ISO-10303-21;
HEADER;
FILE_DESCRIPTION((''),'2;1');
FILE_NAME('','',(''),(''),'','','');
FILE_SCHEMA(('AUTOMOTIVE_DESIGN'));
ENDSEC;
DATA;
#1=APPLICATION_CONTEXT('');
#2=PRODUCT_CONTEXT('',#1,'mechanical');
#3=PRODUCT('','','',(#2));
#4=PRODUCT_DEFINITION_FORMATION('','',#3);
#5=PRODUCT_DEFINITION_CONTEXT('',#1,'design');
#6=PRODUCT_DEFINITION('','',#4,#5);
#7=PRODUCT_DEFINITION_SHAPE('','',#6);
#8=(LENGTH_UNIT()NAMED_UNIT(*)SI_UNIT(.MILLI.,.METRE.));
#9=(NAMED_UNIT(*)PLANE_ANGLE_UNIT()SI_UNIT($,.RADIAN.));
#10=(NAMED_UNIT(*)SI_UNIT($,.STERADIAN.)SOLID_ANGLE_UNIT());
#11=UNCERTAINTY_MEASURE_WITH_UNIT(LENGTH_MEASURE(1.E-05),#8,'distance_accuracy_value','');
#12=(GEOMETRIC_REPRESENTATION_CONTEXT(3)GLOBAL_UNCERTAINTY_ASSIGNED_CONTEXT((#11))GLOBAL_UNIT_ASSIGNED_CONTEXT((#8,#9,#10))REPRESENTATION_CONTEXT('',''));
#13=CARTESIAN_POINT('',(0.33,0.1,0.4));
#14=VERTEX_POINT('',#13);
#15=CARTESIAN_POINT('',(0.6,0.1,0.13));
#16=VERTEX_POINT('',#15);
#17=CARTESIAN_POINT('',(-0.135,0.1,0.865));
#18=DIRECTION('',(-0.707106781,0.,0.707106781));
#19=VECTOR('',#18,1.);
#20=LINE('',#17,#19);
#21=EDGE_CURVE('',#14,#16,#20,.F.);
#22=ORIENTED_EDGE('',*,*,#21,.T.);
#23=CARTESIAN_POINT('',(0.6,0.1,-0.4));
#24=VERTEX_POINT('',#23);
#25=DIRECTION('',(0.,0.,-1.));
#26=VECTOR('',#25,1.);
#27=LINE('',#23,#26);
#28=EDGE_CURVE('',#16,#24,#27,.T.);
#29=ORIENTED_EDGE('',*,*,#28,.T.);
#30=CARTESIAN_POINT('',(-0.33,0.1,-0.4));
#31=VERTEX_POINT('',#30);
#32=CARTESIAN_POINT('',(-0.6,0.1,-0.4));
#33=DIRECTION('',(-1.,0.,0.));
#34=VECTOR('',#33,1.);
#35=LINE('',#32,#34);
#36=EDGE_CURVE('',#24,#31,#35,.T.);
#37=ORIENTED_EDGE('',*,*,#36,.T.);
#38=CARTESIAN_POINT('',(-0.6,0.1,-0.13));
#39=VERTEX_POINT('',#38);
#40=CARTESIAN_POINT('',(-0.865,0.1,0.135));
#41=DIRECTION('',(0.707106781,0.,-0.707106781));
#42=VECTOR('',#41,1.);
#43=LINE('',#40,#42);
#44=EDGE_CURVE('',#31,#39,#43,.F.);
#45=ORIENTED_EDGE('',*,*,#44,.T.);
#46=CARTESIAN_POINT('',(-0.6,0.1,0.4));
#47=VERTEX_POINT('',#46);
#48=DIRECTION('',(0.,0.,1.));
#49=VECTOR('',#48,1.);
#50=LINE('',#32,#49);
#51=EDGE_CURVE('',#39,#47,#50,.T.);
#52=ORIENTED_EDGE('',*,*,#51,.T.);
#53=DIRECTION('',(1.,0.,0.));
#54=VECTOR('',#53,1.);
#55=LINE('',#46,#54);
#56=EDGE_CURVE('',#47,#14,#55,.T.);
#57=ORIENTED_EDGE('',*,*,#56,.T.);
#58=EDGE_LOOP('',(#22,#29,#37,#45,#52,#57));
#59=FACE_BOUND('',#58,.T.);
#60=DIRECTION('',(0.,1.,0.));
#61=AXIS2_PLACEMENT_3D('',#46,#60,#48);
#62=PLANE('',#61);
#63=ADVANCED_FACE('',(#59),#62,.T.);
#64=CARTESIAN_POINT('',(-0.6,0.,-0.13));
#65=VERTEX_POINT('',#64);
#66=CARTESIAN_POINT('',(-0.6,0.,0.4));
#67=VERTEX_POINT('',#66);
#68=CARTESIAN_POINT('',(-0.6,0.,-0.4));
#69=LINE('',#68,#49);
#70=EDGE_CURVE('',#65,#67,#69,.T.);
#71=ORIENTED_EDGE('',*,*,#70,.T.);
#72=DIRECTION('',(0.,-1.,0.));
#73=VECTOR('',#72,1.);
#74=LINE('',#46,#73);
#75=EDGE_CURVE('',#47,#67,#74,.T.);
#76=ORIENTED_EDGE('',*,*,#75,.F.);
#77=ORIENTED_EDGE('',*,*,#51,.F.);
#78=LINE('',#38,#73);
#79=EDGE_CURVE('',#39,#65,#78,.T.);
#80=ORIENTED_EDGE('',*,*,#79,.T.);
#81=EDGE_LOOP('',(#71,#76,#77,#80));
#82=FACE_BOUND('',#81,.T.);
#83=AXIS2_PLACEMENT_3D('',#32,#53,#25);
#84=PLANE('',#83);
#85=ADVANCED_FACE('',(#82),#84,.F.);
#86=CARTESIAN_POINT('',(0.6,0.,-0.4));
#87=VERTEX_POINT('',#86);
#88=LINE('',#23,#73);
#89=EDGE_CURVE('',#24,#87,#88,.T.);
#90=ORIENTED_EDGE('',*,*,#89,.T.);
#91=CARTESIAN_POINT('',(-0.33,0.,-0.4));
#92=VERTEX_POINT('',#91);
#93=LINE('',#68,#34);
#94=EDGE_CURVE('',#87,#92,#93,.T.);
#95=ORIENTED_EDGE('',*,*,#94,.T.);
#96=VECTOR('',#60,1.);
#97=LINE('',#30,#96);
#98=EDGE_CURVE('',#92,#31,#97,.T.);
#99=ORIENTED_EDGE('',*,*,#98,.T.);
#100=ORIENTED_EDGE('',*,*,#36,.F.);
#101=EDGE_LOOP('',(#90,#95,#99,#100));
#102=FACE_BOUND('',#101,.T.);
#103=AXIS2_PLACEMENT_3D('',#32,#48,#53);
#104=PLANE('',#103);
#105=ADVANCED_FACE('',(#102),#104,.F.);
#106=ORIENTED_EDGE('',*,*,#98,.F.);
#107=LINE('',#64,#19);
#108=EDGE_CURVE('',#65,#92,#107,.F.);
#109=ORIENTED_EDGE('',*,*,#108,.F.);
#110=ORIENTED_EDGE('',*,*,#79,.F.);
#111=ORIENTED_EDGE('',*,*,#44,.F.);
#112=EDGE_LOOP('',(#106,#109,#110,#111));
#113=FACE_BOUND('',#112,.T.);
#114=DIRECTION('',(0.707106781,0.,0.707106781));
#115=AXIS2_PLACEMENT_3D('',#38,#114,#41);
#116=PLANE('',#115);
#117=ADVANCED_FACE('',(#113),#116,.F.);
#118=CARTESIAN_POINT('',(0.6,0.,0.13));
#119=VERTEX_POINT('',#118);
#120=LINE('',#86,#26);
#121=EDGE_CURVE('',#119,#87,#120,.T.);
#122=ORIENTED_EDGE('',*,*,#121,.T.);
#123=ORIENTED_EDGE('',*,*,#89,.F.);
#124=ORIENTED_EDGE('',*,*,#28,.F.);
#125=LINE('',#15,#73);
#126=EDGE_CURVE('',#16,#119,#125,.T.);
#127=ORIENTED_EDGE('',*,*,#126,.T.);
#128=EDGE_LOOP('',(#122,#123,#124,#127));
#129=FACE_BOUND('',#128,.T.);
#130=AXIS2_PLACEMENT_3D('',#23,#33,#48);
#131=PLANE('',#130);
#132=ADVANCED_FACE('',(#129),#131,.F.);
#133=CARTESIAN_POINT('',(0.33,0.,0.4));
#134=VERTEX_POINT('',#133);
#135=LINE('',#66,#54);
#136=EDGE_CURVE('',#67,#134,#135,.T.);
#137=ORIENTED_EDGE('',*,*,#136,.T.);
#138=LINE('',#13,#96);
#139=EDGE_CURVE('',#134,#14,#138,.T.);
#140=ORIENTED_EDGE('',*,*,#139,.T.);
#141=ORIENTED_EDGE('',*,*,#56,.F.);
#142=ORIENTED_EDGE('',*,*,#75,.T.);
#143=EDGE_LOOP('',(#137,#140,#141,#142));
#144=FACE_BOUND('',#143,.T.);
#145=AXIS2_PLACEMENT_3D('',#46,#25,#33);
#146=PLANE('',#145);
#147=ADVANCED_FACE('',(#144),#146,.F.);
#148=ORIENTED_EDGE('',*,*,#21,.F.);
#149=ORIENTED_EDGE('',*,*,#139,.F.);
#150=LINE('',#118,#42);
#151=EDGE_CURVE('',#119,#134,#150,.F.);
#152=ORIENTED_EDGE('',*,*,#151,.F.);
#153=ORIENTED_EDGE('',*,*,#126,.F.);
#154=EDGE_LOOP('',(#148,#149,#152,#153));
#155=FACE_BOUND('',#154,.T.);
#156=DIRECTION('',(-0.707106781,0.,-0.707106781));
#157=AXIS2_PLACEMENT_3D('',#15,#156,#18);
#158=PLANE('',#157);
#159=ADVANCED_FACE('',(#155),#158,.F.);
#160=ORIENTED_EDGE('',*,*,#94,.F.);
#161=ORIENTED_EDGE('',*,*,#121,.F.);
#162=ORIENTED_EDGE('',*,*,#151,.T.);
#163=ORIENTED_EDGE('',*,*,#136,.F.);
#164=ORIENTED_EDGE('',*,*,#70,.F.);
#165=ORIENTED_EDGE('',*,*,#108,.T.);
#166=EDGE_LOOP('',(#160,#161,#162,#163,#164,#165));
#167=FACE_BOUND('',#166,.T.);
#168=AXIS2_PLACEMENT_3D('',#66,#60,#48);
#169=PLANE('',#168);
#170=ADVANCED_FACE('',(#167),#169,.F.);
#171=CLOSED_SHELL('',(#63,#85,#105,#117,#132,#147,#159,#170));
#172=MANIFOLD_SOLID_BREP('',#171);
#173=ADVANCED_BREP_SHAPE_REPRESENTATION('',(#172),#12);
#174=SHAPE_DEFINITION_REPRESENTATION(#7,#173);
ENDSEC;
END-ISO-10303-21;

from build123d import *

# Parameters (mm, degrees)
ESBO_O1_W       = 1.2
ESBO_O1_H       = 0.8
EXTRUS_O1_DEPTH = 0.1
CHANFRO1_SIZE   = 0.27
CHANFRO2_SIZE   = 0.27


with BuildPart() as part:
    # Esboço1 → Extrusão1 (new body)
    with BuildSketch(Plane(origin=(0, 0, 0), x_dir=(1, 0, 0), z_dir=(0, 1, 0))):
        Rectangle(ESBO_O1_W, ESBO_O1_H)
    extrude(amount=EXTRUS_O1_DEPTH)

    # Chanfro1
    chanfro1_edges = [part.edges().sort_by_distance(p)[0] for p in [
        (0.6, 0.05, 0.4),
    ]]
    chamfer(chanfro1_edges, length=CHANFRO1_SIZE)

    # Chanfro2
    chanfro2_edges = [part.edges().sort_by_distance(p)[0] for p in [
        (-0.6, 0.05, -0.4),
    ]]
    chamfer(chanfro2_edges, length=CHANFRO2_SIZE)


solid = part.part
